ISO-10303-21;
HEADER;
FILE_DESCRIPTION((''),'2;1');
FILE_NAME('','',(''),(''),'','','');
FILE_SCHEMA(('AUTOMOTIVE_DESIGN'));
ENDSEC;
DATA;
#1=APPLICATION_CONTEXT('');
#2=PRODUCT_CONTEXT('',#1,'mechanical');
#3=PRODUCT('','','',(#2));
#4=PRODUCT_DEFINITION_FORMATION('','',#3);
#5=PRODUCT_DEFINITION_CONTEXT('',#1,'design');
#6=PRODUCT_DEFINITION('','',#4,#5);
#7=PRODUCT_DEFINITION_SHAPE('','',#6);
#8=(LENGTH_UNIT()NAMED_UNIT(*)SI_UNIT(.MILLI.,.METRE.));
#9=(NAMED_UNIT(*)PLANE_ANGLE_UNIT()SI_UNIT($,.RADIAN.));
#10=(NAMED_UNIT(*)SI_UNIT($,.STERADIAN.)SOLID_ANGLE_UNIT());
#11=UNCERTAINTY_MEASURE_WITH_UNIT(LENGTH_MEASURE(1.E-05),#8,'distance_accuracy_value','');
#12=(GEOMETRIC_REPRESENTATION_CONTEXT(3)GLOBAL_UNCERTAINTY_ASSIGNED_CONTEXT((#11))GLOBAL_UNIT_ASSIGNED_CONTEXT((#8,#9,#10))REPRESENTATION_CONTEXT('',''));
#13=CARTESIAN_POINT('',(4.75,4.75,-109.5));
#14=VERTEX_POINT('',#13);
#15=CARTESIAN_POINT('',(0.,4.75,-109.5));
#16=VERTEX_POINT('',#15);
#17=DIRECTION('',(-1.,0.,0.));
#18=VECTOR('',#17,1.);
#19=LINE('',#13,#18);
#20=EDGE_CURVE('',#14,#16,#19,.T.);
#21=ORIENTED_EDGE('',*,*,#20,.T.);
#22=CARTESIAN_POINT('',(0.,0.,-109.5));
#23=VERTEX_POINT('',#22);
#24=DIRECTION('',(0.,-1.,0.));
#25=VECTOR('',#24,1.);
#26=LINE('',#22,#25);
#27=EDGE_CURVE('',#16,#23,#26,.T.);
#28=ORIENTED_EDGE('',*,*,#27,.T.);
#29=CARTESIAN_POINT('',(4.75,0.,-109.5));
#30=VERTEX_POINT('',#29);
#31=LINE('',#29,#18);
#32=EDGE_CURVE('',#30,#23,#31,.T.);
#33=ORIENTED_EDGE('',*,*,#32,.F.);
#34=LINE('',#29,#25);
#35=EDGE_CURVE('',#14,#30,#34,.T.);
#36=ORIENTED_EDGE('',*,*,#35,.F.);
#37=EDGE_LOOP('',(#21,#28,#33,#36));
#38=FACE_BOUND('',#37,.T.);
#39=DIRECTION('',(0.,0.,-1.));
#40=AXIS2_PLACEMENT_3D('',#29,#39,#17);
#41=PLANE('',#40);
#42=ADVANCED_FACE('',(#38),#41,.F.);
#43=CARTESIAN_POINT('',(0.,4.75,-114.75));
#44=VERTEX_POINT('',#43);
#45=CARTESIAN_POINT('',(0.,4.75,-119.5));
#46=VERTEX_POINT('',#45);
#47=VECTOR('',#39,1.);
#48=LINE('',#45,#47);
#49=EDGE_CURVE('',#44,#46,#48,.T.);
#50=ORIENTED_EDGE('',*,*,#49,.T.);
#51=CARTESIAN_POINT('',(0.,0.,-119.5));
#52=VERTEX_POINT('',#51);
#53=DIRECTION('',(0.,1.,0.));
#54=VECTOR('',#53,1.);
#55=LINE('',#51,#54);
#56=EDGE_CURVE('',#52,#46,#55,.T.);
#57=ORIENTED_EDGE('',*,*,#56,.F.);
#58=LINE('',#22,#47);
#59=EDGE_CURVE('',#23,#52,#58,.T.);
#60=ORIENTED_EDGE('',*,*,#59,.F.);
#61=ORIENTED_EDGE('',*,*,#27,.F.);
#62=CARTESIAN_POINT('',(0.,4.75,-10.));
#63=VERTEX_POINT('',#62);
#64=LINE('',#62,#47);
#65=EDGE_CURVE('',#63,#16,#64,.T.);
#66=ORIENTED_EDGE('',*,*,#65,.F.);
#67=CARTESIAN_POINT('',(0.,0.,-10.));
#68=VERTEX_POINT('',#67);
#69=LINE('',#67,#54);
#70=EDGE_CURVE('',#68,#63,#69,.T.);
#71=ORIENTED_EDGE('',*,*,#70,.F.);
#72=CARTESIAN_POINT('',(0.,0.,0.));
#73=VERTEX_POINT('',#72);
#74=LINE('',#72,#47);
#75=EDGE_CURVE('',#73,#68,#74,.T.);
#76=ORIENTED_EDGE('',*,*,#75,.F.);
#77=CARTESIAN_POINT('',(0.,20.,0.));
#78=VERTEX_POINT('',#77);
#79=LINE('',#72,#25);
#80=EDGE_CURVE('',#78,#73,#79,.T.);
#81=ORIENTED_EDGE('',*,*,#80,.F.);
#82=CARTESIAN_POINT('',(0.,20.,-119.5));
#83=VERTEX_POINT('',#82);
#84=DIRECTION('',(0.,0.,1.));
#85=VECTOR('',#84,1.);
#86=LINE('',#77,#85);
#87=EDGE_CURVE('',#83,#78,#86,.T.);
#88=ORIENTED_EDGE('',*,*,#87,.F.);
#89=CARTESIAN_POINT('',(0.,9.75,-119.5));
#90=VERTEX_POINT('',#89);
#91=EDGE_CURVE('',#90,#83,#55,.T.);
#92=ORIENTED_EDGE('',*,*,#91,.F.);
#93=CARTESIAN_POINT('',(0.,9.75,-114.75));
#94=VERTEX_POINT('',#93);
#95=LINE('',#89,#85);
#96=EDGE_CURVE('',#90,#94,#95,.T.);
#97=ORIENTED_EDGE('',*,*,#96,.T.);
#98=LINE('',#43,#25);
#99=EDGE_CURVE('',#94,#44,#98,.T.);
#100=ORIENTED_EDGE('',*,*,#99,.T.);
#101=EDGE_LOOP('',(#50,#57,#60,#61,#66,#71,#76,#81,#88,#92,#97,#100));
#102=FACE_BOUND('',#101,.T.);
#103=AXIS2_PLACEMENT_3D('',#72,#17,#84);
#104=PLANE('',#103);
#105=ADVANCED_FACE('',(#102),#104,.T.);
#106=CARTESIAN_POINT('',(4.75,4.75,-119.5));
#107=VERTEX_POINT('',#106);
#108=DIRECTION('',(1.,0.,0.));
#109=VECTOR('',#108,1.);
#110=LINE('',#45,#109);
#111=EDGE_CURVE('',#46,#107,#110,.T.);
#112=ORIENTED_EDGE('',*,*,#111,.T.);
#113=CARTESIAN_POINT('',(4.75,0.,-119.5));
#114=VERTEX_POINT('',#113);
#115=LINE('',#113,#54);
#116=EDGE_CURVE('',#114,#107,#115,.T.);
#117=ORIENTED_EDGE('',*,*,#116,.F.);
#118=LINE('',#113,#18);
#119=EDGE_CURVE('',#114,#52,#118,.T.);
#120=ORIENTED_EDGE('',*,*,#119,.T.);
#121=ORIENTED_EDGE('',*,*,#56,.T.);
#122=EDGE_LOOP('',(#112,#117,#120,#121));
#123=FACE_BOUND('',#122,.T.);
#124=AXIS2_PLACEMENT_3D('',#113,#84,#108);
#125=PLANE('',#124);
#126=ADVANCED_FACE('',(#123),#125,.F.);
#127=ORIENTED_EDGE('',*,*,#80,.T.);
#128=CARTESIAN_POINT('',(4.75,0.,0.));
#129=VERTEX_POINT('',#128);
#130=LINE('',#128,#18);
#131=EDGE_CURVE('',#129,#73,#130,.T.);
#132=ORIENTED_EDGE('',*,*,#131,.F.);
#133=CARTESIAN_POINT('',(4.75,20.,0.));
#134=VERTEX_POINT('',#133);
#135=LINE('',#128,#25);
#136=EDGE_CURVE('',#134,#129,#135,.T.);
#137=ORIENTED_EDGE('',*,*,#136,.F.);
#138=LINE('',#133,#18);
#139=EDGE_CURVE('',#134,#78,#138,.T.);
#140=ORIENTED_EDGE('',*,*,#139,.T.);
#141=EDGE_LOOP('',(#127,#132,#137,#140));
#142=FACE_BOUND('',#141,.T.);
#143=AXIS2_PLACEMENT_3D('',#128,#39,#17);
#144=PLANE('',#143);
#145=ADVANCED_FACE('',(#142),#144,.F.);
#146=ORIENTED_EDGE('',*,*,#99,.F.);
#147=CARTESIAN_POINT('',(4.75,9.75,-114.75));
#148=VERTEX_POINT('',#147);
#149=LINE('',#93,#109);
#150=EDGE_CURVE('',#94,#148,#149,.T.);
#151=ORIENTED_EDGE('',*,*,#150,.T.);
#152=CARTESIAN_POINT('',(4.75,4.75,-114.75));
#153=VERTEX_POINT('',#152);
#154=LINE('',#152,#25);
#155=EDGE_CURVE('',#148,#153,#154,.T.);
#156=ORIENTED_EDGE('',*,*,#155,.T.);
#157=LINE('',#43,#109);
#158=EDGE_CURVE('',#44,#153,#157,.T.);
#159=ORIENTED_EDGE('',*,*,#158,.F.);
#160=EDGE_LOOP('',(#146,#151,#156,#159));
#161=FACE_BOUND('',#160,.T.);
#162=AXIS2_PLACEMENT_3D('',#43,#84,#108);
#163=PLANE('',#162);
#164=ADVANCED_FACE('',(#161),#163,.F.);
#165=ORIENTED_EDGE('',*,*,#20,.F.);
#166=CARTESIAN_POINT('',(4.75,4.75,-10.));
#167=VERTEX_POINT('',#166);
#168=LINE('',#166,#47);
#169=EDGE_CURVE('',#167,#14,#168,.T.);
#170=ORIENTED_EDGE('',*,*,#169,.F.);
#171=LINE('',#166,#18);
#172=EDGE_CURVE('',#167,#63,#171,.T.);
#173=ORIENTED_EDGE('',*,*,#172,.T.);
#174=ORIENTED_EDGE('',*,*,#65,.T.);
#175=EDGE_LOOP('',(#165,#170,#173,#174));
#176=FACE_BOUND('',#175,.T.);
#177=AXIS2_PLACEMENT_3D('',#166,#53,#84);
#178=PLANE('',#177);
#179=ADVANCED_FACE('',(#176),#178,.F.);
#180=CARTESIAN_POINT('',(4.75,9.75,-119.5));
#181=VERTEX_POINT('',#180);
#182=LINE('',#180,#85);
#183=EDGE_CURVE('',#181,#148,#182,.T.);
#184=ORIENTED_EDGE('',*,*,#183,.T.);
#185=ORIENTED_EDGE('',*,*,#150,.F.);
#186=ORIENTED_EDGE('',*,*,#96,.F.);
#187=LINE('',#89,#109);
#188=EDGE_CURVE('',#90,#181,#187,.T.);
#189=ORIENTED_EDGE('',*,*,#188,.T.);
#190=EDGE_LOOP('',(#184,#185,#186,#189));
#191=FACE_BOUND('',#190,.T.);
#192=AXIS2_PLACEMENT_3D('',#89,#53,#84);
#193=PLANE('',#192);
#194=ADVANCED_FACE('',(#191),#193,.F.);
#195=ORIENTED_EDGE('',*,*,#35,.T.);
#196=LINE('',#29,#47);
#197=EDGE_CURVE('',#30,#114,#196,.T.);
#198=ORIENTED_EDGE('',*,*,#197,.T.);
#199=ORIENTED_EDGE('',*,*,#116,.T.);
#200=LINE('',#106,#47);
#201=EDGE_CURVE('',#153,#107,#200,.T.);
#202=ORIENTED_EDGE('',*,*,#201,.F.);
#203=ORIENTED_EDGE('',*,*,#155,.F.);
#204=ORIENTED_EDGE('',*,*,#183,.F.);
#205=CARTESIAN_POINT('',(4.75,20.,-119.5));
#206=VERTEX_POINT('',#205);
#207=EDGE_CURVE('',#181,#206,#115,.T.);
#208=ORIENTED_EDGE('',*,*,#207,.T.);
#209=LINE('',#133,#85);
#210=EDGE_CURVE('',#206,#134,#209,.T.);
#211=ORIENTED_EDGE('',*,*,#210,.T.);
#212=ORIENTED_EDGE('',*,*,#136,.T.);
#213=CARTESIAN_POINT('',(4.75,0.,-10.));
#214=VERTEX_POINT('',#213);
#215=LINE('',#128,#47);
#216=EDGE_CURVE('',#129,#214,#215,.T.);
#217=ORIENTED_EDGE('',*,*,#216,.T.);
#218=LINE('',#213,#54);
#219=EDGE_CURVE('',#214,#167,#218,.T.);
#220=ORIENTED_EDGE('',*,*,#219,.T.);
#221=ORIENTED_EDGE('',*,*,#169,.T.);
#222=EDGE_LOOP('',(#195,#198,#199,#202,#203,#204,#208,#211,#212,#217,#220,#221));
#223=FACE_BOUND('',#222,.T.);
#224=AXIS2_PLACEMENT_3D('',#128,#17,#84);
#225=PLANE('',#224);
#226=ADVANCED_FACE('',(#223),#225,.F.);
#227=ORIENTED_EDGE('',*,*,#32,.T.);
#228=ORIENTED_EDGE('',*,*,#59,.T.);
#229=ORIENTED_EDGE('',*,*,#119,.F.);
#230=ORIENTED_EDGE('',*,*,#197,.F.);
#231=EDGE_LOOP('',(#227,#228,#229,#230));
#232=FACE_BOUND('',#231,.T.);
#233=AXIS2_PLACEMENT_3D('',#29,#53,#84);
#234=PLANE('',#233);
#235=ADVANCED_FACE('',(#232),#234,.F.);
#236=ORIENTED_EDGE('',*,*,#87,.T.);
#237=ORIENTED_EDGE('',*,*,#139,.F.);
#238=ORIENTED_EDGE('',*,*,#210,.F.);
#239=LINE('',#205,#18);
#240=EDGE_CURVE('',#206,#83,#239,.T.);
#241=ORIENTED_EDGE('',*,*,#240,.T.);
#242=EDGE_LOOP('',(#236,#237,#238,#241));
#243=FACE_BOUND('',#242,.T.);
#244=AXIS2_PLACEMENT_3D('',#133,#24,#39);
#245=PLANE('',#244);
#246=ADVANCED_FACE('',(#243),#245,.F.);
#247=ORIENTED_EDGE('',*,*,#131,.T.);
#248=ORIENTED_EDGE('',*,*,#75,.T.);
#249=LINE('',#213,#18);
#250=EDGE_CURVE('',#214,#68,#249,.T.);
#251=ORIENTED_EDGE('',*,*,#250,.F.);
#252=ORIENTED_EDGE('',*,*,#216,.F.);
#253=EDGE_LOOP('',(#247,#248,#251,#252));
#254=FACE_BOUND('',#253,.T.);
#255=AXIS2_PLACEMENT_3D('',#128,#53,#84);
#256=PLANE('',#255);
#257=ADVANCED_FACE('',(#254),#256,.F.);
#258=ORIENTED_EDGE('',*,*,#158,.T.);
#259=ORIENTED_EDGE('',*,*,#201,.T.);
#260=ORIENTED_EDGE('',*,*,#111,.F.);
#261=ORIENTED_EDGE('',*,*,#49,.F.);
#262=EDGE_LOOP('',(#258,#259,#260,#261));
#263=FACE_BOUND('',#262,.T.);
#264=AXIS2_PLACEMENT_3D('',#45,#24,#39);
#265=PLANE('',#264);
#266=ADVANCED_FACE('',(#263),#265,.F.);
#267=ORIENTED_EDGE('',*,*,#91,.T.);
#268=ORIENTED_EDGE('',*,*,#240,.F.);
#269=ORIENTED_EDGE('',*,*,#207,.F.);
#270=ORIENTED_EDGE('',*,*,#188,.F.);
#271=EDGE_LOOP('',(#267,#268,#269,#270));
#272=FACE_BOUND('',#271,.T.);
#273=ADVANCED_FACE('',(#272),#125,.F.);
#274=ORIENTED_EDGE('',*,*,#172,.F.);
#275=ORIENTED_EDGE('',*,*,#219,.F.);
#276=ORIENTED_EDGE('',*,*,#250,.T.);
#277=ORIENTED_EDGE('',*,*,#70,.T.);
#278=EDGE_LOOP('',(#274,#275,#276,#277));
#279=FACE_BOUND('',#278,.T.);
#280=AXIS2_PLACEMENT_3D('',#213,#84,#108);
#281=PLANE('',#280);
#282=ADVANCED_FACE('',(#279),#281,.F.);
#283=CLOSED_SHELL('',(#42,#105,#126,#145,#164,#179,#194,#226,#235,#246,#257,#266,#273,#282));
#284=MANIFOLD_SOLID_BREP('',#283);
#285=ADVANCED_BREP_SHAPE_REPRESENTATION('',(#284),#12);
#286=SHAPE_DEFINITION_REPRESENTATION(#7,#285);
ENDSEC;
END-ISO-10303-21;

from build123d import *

# Parameters (mm, degrees)
BOSS_EXTRUDE1_DEPTH = 4.75
SKETCH2_W           = 4.75
SKETCH2_H           = 5
CUT_EXTRUDE1_DEPTH  = 4.75


with BuildPart() as part:
    # Sketch1 → Boss-Extrude1 (new body)
    with BuildSketch(Plane(origin=(0, 0, 0), x_dir=(0, 0, -1), z_dir=(1, 0, 0))):
        Polygon((109.5, 0), (119.5, 0), (119.5, 20), (0, 20), (0, 0), (10, 0), (10, 4.75), (109.5, 4.75), align=None)
    extrude(amount=BOSS_EXTRUDE1_DEPTH)

    # Sketch2 → Cut-Extrude1 (cut)
    with BuildSketch(Plane(origin=(4.75, 0, 0), x_dir=(0, 0, -1), z_dir=(1, 0, 0))):
        with Locations((117.125, 7.25)):
            Rectangle(SKETCH2_W, SKETCH2_H)
    extrude(amount=-CUT_EXTRUDE1_DEPTH, mode=Mode.SUBTRACT)


solid = part.part
